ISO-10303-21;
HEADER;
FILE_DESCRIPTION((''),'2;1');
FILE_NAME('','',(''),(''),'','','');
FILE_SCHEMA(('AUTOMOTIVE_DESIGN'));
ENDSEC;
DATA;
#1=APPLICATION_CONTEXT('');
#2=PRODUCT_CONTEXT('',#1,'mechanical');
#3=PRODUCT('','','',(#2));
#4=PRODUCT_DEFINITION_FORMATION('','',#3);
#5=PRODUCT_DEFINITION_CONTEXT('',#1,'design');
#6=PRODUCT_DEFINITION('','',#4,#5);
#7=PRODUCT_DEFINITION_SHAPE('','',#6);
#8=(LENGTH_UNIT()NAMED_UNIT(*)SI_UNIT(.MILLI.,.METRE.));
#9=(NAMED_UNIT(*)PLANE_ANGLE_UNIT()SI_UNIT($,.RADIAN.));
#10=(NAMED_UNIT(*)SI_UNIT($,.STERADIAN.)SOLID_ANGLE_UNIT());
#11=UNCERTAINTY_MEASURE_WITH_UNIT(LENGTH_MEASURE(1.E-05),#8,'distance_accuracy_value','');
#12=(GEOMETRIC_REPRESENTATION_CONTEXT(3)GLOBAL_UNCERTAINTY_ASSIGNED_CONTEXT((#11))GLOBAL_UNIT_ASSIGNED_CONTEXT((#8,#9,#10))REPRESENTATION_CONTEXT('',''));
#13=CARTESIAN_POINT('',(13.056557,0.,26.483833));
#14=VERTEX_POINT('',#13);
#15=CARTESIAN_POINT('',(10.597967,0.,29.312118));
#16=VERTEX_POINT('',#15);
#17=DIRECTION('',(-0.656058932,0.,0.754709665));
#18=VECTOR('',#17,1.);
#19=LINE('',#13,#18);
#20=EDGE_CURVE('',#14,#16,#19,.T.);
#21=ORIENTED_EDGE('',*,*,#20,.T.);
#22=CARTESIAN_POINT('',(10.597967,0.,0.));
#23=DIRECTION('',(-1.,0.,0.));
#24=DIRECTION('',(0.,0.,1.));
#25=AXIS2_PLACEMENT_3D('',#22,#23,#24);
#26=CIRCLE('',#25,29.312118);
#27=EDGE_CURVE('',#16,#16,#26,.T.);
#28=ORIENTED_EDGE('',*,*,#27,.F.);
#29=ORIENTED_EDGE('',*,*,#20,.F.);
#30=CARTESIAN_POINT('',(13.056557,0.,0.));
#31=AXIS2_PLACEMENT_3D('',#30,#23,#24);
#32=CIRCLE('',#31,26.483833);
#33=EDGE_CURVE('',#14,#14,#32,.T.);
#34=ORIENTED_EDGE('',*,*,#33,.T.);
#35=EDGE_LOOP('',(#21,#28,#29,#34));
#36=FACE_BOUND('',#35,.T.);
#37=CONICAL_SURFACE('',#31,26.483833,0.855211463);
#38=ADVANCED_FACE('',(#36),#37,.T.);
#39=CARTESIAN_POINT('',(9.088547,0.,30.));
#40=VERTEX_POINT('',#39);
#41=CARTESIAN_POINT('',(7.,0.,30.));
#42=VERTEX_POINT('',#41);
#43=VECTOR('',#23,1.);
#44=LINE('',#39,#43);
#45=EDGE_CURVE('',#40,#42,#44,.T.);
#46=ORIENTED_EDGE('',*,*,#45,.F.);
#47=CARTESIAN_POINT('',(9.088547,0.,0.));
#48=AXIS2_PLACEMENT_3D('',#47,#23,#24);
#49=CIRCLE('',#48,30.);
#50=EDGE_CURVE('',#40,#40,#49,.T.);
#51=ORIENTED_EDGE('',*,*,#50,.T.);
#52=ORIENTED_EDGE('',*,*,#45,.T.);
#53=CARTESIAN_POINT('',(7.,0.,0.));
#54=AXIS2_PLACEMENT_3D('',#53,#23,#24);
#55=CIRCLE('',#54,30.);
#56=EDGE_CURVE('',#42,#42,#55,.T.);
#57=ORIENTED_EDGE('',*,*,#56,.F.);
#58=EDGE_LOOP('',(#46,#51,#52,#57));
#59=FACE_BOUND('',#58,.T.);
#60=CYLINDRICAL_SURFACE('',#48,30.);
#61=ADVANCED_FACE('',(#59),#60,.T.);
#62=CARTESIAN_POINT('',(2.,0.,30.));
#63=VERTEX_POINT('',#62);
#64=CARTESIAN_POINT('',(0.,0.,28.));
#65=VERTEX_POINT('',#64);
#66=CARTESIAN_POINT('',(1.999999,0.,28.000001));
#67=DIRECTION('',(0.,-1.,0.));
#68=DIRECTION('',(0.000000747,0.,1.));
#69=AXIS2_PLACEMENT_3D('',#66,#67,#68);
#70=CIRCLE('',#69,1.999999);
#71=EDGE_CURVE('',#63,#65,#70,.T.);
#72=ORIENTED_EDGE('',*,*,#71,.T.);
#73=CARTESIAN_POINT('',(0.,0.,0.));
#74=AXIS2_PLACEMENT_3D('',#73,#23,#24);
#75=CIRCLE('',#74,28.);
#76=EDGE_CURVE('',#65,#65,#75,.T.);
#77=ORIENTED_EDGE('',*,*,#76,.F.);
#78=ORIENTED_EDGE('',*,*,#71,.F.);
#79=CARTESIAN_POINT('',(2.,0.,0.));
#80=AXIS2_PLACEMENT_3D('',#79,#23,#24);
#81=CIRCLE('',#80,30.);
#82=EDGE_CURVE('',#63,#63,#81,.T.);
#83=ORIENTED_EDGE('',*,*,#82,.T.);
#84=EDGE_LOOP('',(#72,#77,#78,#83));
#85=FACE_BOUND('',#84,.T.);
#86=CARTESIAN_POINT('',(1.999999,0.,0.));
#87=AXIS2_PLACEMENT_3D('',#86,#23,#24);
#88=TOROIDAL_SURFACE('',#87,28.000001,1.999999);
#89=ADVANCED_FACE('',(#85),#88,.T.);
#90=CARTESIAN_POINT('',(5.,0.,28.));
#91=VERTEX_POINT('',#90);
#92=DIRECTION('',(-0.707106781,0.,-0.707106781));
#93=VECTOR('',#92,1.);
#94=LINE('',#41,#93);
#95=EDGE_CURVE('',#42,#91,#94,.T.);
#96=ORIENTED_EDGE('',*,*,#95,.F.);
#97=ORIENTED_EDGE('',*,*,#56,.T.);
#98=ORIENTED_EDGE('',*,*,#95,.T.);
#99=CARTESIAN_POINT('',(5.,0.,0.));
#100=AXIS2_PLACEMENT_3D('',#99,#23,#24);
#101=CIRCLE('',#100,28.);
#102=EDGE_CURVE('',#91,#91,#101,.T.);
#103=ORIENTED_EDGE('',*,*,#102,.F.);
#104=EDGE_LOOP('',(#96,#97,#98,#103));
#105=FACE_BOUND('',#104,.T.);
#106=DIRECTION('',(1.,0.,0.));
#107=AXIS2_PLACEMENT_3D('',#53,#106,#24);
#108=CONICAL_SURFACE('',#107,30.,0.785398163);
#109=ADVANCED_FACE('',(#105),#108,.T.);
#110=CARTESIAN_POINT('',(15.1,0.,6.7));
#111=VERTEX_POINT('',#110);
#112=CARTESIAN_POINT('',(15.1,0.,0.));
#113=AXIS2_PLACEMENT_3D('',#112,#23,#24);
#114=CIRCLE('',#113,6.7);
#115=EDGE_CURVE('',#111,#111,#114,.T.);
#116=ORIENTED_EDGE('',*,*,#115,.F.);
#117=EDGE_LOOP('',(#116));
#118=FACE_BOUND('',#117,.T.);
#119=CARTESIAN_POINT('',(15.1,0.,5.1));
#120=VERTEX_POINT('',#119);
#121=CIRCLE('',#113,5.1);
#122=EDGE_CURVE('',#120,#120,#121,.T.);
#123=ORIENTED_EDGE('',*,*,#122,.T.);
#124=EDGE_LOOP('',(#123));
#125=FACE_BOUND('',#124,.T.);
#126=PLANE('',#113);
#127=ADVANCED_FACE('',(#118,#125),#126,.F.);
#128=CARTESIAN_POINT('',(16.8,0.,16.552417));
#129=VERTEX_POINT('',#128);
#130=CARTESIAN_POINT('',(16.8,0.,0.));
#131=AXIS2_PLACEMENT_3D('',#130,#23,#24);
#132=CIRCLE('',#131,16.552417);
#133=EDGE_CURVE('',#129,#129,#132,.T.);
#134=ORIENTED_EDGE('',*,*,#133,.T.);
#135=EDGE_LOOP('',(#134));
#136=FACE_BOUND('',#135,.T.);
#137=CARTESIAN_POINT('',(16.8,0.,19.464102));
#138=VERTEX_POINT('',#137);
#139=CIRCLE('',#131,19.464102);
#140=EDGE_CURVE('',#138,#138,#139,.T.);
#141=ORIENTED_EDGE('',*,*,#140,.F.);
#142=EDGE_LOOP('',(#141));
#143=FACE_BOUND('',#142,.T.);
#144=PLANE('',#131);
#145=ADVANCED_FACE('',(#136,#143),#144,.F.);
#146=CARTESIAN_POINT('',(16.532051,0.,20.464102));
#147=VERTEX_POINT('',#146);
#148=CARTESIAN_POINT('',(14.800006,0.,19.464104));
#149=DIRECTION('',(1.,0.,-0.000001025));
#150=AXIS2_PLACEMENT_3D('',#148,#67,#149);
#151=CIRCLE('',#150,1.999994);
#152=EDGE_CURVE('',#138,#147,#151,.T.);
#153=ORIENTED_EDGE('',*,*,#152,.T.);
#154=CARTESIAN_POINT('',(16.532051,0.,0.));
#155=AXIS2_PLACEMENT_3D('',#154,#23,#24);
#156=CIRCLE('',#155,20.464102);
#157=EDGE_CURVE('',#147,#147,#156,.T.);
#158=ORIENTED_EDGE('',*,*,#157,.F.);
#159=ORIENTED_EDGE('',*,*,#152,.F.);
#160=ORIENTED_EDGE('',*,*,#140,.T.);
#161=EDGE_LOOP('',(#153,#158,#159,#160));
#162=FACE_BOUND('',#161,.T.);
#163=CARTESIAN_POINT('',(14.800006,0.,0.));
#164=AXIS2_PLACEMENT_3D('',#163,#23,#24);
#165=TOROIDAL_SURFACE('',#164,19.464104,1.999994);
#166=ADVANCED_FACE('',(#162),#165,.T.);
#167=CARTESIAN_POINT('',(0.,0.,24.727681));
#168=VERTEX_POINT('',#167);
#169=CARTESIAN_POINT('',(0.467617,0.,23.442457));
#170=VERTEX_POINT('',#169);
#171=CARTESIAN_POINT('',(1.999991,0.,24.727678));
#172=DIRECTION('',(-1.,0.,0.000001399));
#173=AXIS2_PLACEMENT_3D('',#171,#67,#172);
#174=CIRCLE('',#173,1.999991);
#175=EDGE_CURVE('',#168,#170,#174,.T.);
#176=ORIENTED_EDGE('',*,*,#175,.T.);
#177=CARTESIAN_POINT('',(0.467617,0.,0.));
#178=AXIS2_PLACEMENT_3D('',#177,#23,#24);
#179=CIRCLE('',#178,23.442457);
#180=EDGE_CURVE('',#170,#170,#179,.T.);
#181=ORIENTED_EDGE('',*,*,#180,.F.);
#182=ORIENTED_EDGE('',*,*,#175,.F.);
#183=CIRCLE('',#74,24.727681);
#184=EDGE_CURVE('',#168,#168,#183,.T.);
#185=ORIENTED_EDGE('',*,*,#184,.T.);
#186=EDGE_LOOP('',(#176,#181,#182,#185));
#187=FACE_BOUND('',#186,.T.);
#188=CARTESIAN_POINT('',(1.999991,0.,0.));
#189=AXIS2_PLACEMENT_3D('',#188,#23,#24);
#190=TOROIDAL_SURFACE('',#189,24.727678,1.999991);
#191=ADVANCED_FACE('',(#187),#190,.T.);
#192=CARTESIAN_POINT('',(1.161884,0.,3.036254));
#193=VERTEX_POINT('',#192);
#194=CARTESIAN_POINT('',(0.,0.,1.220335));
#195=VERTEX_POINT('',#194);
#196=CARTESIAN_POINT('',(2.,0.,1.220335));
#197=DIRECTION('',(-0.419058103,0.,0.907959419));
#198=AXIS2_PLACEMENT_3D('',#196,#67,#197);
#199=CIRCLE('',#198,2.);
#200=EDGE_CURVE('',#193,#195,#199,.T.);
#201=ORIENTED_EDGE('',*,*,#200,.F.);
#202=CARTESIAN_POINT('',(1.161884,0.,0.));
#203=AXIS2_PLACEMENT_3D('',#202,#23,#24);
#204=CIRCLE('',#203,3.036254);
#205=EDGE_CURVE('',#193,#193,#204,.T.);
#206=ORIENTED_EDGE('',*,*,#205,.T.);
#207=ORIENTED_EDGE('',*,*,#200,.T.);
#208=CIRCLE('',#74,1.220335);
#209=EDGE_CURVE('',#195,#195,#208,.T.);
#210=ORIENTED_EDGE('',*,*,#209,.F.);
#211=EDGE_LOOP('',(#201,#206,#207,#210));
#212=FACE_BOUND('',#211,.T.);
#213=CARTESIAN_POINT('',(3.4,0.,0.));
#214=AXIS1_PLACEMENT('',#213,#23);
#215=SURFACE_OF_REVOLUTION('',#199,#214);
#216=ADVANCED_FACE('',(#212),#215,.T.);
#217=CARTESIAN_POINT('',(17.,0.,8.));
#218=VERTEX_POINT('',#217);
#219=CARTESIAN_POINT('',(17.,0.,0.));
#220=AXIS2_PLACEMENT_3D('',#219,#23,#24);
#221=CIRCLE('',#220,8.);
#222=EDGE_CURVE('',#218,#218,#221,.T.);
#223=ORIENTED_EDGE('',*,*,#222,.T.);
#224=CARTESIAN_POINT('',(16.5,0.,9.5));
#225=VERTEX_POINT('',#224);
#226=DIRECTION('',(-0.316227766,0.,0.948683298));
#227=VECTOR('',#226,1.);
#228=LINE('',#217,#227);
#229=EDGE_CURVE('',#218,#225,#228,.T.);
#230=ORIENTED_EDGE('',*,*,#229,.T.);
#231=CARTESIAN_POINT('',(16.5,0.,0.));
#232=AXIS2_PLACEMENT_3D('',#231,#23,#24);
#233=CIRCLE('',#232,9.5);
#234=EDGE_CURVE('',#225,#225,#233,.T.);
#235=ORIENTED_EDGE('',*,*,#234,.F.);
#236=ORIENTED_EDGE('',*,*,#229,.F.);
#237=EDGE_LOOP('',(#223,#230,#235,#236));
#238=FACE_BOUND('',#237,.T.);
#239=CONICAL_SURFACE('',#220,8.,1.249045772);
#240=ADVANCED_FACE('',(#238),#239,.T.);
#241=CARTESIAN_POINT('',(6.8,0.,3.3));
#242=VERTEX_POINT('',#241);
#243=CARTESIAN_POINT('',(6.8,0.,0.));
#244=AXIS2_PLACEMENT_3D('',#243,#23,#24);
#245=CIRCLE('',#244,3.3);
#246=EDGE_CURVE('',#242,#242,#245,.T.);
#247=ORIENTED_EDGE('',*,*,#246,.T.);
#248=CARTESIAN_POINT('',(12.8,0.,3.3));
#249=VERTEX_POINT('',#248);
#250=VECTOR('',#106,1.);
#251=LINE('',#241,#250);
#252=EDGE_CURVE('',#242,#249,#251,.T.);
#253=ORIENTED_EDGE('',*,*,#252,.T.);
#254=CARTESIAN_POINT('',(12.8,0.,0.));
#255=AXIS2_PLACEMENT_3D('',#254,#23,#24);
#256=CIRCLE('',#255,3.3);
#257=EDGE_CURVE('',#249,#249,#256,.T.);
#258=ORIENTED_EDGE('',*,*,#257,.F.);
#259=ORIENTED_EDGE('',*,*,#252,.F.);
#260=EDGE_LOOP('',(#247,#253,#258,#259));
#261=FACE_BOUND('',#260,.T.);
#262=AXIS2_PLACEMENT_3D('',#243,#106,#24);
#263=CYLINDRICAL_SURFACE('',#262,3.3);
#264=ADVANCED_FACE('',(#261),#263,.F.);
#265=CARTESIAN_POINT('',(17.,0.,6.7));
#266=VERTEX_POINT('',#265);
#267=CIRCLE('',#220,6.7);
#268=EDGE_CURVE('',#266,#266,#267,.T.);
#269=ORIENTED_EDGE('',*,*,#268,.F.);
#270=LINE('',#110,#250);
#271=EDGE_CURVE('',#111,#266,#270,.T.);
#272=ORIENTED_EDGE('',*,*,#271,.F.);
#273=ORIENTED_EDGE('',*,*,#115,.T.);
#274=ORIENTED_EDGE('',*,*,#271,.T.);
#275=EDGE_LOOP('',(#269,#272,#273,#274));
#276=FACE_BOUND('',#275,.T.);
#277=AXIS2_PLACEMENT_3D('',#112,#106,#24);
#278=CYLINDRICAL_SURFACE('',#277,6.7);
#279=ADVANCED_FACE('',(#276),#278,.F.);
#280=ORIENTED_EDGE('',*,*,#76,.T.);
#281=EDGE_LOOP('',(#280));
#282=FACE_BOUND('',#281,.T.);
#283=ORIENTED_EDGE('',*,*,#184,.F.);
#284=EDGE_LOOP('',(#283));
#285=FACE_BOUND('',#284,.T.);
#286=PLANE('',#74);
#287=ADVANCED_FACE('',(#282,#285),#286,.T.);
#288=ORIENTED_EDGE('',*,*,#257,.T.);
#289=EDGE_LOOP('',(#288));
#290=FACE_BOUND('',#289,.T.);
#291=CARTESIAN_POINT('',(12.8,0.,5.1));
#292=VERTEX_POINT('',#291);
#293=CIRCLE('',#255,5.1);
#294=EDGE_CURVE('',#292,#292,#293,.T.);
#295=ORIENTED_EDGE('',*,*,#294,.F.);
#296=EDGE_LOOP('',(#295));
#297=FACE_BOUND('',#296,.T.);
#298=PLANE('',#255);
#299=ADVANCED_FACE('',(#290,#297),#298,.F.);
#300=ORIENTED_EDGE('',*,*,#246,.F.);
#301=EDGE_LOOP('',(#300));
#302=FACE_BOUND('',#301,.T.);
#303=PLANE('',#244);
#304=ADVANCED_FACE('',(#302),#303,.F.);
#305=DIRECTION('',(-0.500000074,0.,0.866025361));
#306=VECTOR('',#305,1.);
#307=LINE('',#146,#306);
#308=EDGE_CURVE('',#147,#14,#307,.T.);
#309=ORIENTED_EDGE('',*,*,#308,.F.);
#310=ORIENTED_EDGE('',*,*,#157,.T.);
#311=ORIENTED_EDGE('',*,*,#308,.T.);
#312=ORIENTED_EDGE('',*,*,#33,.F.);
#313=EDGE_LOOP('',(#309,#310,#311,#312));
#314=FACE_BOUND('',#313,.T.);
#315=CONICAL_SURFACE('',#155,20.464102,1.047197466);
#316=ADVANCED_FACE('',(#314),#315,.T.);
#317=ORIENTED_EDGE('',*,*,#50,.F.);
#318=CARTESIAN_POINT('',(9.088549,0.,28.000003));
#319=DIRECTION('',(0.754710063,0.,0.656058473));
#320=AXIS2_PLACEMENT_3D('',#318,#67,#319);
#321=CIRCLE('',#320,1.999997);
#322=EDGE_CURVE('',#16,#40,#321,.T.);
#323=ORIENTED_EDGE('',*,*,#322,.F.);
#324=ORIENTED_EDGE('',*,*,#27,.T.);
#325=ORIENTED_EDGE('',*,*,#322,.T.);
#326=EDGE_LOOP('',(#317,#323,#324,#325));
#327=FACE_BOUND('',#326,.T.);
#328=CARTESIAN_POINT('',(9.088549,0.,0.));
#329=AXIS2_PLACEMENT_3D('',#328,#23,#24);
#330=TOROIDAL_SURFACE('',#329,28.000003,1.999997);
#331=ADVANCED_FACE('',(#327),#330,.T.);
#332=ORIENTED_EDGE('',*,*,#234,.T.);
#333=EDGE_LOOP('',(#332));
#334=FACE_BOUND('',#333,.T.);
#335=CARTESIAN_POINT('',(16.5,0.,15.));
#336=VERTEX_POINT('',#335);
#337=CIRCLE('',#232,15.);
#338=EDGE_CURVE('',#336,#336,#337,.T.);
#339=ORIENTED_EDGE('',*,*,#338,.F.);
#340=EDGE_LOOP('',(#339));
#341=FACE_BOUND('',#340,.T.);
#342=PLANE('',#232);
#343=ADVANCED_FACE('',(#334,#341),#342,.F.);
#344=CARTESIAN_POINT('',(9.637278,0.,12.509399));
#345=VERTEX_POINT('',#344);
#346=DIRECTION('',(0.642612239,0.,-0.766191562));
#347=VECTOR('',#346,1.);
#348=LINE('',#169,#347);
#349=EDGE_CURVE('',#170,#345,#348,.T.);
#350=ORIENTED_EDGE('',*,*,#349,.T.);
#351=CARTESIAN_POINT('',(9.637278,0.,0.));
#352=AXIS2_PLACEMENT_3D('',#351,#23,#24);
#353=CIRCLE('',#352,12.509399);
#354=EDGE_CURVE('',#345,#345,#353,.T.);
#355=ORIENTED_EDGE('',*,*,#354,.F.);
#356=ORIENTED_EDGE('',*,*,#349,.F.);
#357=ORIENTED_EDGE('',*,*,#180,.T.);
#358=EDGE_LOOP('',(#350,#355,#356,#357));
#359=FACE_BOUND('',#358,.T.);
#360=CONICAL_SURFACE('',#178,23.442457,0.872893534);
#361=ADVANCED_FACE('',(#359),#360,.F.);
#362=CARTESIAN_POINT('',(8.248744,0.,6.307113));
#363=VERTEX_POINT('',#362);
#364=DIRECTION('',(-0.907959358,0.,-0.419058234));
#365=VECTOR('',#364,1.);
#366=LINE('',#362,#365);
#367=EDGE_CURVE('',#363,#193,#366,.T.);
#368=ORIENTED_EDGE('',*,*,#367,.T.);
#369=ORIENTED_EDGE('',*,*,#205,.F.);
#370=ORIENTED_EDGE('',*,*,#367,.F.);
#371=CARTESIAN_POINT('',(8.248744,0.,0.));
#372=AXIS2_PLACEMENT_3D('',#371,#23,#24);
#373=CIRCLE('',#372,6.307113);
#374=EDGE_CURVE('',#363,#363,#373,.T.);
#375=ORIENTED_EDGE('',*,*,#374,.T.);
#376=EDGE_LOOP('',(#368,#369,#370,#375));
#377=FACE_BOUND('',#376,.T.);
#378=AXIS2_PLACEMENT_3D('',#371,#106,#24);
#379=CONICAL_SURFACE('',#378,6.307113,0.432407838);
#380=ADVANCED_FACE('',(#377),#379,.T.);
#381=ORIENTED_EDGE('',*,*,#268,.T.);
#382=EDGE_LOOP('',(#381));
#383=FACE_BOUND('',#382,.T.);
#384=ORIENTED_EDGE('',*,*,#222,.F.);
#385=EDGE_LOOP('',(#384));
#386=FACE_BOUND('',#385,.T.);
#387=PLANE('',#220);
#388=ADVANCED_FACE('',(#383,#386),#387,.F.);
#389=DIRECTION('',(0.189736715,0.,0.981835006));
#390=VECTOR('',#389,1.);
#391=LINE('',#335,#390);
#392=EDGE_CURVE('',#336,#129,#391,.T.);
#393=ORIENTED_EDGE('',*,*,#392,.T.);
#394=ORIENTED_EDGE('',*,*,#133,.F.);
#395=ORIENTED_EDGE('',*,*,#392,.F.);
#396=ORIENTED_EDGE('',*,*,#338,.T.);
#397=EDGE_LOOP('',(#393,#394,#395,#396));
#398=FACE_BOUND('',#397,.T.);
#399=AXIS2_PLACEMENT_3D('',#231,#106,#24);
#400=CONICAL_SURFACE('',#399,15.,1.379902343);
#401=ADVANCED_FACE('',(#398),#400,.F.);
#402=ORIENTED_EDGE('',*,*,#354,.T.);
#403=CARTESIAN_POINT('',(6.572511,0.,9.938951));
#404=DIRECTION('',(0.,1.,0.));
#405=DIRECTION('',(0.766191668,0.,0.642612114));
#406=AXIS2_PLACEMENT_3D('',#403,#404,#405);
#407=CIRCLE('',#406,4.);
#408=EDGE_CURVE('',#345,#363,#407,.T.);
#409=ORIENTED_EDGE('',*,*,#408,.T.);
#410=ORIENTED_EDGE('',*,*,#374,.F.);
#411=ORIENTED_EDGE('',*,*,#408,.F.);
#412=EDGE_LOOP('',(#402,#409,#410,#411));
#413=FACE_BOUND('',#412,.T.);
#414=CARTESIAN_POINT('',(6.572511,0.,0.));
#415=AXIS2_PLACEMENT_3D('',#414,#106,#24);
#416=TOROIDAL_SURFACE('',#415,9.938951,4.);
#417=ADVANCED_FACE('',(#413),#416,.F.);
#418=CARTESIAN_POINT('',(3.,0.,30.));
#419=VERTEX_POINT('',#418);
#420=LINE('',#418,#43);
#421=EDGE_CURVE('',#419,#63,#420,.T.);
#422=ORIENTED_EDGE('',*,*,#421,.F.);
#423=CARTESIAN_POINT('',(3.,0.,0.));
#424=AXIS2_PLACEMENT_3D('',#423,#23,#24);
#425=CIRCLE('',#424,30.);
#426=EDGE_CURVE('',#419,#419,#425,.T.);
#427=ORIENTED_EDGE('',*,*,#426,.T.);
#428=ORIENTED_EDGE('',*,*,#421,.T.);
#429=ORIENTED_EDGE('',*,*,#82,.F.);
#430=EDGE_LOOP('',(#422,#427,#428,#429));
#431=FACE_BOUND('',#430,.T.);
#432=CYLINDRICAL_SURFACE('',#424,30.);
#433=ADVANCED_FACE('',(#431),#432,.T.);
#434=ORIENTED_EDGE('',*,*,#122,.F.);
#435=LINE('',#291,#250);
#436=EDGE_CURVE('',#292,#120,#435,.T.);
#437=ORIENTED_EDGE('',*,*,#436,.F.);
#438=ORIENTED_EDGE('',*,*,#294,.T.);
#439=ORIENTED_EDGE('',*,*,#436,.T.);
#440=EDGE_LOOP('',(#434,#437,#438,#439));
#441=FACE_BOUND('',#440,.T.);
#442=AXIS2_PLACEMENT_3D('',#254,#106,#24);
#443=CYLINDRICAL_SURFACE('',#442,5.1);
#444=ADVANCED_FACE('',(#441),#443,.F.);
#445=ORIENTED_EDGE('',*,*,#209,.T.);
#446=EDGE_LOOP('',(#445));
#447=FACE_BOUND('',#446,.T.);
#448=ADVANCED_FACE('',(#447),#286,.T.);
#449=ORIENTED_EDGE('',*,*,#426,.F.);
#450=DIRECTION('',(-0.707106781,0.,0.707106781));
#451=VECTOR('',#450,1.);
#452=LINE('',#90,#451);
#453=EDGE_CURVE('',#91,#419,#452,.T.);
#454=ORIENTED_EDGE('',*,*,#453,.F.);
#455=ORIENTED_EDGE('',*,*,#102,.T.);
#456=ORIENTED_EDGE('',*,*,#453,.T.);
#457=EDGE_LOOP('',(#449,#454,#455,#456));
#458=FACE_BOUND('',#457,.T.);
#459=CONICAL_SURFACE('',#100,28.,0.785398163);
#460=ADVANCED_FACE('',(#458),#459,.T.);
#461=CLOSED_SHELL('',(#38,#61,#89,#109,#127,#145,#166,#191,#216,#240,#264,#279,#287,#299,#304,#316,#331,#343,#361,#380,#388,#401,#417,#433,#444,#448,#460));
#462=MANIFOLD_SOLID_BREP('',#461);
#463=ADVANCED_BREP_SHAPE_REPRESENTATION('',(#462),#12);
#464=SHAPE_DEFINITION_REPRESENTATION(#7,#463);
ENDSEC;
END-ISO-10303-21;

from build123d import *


with BuildPart() as f1:
    # F0 (on Front) → F1 (revolve)
    with BuildSketch(Plane.XZ):
        with BuildLine():
            Line((0, 1.220335), (0, 0))
            Line((0, 0), (6.8, 0))
            Line((6.8, 0), (6.8, 3.3))
            Line((6.8, 3.3), (12.8, 3.3))
            Line((12.8, 3.3), (12.8, 5.1))
            Line((12.8, 5.1), (15.1, 5.1))
            Line((15.1, 5.1), (15.1, 6.7))
            Line((15.1, 6.7), (17, 6.7))
            Line((17, 6.7), (17, 8))
            Line((17, 8), (16.5, 9.5))
            Line((16.5, 9.5), (16.5, 15))
            Line((16.5, 15), (16.8, 16.552417))
            Line((16.8, 16.552417), (16.8, 19.464102))
            ThreePointArc((16.8, 19.464102), (16.731852, 19.98174), (16.532051, 20.464102))
            Line((16.532051, 20.464102), (13.056557, 26.483833))
            Line((13.056557, 26.483833), (10.597967, 29.312118))
            ThreePointArc((10.597967, 29.312118), (9.917934, 29.819923), (9.088547, 30))
            Line((9.088547, 30), (7, 30))
            Line((7, 30), (5, 28))
            Line((5, 28), (3, 30))
            Line((3, 30), (2, 30))
            ThreePointArc((2, 30), (0.585786, 29.414214), (0, 28))
            Line((0, 28), (0, 24.727681))
            ThreePointArc((0, 24.727681), (0.120536, 24.043856), (0.467617, 23.442457))
            Line((0.467617, 23.442457), (9.637278, 12.509399))
            ThreePointArc((9.637278, 12.509399), (10.475889, 9.065084), (8.248744, 6.307113))
            Line((8.248744, 6.307113), (1.161884, 3.036254))
            ThreePointArc((1.161884, 3.036254), (0.315329, 2.298242), (0, 1.220335))
        make_face()
    revolve(axis=Axis((3.4, 0, 0), (-1, 0, 0)))


solid = f1.part
